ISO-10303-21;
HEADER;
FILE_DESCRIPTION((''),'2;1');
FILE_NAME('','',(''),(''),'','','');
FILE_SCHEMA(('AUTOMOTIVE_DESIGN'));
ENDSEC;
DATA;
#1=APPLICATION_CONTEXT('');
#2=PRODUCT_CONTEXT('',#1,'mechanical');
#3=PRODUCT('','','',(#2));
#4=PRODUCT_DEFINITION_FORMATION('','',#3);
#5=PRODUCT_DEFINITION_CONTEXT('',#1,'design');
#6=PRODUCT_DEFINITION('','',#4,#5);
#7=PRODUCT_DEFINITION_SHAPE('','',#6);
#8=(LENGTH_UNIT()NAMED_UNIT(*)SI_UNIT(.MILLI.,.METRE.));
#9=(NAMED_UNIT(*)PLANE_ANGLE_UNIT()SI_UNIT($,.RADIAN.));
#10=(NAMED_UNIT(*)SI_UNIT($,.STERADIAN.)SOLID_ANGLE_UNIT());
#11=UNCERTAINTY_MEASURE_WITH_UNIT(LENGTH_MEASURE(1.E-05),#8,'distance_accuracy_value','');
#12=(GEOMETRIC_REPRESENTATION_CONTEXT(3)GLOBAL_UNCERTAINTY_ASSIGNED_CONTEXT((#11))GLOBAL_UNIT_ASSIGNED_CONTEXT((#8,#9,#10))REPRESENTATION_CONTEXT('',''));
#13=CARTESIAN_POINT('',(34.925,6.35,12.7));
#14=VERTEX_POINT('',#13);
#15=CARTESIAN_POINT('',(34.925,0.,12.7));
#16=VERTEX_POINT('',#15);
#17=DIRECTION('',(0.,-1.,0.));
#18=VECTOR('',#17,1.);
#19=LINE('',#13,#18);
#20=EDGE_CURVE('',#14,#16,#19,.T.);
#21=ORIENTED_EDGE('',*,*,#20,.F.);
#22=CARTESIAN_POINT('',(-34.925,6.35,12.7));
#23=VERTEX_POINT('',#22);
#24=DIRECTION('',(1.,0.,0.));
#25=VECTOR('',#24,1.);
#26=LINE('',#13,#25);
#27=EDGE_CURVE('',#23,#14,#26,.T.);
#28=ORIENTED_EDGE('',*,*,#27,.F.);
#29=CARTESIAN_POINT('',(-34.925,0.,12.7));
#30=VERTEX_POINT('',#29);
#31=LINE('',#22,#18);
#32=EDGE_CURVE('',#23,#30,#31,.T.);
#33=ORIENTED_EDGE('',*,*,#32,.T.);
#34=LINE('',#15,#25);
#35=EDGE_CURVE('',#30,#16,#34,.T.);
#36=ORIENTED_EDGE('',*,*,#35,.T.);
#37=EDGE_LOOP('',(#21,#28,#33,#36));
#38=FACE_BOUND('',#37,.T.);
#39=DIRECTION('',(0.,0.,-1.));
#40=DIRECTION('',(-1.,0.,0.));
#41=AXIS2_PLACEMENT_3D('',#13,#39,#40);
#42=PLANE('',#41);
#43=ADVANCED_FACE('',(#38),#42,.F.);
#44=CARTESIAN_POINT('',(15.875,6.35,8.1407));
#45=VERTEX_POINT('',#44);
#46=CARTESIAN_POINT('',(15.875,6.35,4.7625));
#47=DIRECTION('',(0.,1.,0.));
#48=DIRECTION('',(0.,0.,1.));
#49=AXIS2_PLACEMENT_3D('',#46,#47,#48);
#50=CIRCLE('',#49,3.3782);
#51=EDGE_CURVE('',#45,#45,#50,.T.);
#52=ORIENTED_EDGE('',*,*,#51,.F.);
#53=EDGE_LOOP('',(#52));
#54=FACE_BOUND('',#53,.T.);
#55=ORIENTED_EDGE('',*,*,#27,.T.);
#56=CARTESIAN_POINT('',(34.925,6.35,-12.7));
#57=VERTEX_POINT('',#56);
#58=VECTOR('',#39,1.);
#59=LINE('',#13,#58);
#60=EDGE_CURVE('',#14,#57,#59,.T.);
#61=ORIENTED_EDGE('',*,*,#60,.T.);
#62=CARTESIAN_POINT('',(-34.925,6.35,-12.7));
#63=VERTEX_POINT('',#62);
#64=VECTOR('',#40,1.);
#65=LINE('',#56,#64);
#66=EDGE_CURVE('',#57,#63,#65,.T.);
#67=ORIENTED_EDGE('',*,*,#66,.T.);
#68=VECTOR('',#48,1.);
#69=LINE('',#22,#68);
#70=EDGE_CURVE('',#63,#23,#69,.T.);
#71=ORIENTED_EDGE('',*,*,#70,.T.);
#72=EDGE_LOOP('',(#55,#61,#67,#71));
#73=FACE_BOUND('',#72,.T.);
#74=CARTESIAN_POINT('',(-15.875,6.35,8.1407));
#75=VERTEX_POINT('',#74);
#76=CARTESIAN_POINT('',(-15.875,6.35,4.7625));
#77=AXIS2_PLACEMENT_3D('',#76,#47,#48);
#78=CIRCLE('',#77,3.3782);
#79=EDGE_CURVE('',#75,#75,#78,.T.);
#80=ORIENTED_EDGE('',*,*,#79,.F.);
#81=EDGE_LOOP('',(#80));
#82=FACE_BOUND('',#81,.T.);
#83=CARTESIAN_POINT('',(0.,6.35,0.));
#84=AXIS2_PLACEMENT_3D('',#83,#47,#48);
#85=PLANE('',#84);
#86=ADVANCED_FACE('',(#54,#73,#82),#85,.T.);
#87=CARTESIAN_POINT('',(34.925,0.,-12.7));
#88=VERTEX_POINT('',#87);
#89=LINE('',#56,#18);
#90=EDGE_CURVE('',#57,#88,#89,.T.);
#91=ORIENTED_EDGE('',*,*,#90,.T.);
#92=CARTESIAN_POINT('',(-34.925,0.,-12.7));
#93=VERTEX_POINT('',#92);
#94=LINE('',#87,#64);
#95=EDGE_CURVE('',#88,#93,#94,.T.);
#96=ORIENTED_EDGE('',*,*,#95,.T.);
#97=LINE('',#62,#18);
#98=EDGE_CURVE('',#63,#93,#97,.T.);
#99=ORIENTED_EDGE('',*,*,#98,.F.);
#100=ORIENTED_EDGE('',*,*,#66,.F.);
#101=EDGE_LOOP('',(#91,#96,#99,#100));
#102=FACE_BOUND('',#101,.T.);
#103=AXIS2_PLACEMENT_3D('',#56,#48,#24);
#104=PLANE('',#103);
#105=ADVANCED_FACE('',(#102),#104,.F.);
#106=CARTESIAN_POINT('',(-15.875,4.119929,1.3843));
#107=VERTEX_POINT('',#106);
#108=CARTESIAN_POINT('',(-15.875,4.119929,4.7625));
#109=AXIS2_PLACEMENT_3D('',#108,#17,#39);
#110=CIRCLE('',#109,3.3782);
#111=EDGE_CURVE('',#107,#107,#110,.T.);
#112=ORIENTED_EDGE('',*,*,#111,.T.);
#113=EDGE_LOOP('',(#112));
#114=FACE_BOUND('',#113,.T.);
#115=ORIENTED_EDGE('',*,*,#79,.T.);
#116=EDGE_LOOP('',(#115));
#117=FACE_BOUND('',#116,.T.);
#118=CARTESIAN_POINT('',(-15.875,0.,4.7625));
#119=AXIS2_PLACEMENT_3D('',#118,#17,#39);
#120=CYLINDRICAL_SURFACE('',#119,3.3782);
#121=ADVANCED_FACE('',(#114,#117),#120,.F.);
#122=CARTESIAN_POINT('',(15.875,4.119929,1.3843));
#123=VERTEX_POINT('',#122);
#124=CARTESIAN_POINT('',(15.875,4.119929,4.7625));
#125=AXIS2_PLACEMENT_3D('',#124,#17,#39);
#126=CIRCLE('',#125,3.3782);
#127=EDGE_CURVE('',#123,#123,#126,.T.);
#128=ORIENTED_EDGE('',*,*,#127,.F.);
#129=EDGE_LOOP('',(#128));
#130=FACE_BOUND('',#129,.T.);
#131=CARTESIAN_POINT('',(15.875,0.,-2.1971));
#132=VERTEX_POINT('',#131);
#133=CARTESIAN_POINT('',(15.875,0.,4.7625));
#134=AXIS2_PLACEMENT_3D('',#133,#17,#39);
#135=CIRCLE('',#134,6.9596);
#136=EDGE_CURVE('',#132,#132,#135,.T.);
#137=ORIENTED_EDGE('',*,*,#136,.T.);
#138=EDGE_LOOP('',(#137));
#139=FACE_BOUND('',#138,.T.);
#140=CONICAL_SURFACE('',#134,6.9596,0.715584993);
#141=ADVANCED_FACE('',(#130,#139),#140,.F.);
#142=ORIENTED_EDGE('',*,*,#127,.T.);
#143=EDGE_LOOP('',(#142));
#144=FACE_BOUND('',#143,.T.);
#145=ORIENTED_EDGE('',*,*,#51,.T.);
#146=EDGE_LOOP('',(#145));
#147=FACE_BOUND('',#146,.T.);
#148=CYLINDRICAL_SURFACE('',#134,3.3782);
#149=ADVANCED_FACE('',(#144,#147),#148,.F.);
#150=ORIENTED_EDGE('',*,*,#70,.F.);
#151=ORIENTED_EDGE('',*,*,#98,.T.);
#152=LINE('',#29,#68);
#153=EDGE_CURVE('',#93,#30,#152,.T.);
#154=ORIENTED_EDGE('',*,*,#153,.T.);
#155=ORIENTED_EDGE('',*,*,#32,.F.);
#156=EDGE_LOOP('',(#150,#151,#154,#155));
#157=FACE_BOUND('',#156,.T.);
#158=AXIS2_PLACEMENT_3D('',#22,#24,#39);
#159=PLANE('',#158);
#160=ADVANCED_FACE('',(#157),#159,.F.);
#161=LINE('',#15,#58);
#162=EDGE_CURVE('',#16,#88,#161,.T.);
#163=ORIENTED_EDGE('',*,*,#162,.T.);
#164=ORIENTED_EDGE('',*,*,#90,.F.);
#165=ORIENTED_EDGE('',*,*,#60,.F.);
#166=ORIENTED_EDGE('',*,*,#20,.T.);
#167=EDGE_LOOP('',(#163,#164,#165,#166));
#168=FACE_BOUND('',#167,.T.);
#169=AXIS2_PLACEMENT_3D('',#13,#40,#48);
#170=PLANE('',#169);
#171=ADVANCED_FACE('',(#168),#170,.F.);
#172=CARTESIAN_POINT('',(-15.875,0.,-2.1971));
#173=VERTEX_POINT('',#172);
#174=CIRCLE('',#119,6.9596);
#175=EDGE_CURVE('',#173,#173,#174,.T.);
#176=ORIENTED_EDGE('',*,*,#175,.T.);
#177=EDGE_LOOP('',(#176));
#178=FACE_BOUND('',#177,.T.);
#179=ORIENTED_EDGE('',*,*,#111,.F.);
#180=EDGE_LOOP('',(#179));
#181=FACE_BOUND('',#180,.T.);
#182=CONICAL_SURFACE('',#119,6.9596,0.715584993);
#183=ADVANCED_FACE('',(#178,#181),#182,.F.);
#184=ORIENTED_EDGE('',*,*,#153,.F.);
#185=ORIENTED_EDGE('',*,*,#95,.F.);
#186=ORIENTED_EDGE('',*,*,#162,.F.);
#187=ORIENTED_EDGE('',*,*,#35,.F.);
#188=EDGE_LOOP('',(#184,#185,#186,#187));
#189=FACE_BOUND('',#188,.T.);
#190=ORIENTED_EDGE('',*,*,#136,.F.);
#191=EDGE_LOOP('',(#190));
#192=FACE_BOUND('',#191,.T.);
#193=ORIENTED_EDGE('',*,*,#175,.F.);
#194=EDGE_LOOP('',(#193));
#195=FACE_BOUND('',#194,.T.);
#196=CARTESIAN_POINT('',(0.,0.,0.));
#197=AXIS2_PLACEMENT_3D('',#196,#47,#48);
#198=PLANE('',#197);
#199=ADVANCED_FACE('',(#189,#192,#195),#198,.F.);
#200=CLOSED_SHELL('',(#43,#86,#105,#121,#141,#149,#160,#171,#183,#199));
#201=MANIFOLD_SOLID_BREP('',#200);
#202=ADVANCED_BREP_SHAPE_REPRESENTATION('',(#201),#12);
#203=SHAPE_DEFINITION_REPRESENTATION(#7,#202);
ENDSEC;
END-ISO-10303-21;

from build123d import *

# Parameters (mm, degrees)
SKETCH1_W                                        = 69.85
SKETCH1_H                                        = 25.4
BOSS_EXTRUDE1_DEPTH                              = 6.35
CSK_FOR_1_4_FLAT_HEAD_MACHINE_SCREW1_D           = 6.7564
CSK_FOR_1_4_FLAT_HEAD_MACHINE_SCREW1_DEPTH       = 15.24
CSK_FOR_1_4_FLAT_HEAD_MACHINE_SCREW1_CSINK_D     = 13.9192
CSK_FOR_1_4_FLAT_HEAD_MACHINE_SCREW1_CSINK_ANGLE = 82
CSK_FOR_1_4_FLAT_HEAD_MACHINE_SCREW1_TIP         = 2.029827343


with BuildPart() as part:
    # Sketch1 → Boss-Extrude1 (new body)
    with BuildSketch(Plane(origin=(0, 0, 0), x_dir=(1, 0, 0), z_dir=(0, 1, 0))):
        Rectangle(SKETCH1_W, SKETCH1_H)
    extrude(amount=BOSS_EXTRUDE1_DEPTH)

    # CSK for 1/4 Flat Head Machine Screw1
    with Locations(Plane(origin=(0, 0, 0), x_dir=(-1, 0, 0), z_dir=(0, -1, 0))):
        with Locations((15.875, -4.7625), (-15.875, -4.7625)):
            CounterSinkHole(CSK_FOR_1_4_FLAT_HEAD_MACHINE_SCREW1_D / 2, CSK_FOR_1_4_FLAT_HEAD_MACHINE_SCREW1_CSINK_D / 2, depth=CSK_FOR_1_4_FLAT_HEAD_MACHINE_SCREW1_DEPTH, counter_sink_angle=CSK_FOR_1_4_FLAT_HEAD_MACHINE_SCREW1_CSINK_ANGLE)
            with Locations((0, 0, -(CSK_FOR_1_4_FLAT_HEAD_MACHINE_SCREW1_DEPTH + CSK_FOR_1_4_FLAT_HEAD_MACHINE_SCREW1_TIP / 2))):  # 118° drill point
                Cone(0, CSK_FOR_1_4_FLAT_HEAD_MACHINE_SCREW1_D / 2, CSK_FOR_1_4_FLAT_HEAD_MACHINE_SCREW1_TIP, mode=Mode.SUBTRACT)


solid = part.part
